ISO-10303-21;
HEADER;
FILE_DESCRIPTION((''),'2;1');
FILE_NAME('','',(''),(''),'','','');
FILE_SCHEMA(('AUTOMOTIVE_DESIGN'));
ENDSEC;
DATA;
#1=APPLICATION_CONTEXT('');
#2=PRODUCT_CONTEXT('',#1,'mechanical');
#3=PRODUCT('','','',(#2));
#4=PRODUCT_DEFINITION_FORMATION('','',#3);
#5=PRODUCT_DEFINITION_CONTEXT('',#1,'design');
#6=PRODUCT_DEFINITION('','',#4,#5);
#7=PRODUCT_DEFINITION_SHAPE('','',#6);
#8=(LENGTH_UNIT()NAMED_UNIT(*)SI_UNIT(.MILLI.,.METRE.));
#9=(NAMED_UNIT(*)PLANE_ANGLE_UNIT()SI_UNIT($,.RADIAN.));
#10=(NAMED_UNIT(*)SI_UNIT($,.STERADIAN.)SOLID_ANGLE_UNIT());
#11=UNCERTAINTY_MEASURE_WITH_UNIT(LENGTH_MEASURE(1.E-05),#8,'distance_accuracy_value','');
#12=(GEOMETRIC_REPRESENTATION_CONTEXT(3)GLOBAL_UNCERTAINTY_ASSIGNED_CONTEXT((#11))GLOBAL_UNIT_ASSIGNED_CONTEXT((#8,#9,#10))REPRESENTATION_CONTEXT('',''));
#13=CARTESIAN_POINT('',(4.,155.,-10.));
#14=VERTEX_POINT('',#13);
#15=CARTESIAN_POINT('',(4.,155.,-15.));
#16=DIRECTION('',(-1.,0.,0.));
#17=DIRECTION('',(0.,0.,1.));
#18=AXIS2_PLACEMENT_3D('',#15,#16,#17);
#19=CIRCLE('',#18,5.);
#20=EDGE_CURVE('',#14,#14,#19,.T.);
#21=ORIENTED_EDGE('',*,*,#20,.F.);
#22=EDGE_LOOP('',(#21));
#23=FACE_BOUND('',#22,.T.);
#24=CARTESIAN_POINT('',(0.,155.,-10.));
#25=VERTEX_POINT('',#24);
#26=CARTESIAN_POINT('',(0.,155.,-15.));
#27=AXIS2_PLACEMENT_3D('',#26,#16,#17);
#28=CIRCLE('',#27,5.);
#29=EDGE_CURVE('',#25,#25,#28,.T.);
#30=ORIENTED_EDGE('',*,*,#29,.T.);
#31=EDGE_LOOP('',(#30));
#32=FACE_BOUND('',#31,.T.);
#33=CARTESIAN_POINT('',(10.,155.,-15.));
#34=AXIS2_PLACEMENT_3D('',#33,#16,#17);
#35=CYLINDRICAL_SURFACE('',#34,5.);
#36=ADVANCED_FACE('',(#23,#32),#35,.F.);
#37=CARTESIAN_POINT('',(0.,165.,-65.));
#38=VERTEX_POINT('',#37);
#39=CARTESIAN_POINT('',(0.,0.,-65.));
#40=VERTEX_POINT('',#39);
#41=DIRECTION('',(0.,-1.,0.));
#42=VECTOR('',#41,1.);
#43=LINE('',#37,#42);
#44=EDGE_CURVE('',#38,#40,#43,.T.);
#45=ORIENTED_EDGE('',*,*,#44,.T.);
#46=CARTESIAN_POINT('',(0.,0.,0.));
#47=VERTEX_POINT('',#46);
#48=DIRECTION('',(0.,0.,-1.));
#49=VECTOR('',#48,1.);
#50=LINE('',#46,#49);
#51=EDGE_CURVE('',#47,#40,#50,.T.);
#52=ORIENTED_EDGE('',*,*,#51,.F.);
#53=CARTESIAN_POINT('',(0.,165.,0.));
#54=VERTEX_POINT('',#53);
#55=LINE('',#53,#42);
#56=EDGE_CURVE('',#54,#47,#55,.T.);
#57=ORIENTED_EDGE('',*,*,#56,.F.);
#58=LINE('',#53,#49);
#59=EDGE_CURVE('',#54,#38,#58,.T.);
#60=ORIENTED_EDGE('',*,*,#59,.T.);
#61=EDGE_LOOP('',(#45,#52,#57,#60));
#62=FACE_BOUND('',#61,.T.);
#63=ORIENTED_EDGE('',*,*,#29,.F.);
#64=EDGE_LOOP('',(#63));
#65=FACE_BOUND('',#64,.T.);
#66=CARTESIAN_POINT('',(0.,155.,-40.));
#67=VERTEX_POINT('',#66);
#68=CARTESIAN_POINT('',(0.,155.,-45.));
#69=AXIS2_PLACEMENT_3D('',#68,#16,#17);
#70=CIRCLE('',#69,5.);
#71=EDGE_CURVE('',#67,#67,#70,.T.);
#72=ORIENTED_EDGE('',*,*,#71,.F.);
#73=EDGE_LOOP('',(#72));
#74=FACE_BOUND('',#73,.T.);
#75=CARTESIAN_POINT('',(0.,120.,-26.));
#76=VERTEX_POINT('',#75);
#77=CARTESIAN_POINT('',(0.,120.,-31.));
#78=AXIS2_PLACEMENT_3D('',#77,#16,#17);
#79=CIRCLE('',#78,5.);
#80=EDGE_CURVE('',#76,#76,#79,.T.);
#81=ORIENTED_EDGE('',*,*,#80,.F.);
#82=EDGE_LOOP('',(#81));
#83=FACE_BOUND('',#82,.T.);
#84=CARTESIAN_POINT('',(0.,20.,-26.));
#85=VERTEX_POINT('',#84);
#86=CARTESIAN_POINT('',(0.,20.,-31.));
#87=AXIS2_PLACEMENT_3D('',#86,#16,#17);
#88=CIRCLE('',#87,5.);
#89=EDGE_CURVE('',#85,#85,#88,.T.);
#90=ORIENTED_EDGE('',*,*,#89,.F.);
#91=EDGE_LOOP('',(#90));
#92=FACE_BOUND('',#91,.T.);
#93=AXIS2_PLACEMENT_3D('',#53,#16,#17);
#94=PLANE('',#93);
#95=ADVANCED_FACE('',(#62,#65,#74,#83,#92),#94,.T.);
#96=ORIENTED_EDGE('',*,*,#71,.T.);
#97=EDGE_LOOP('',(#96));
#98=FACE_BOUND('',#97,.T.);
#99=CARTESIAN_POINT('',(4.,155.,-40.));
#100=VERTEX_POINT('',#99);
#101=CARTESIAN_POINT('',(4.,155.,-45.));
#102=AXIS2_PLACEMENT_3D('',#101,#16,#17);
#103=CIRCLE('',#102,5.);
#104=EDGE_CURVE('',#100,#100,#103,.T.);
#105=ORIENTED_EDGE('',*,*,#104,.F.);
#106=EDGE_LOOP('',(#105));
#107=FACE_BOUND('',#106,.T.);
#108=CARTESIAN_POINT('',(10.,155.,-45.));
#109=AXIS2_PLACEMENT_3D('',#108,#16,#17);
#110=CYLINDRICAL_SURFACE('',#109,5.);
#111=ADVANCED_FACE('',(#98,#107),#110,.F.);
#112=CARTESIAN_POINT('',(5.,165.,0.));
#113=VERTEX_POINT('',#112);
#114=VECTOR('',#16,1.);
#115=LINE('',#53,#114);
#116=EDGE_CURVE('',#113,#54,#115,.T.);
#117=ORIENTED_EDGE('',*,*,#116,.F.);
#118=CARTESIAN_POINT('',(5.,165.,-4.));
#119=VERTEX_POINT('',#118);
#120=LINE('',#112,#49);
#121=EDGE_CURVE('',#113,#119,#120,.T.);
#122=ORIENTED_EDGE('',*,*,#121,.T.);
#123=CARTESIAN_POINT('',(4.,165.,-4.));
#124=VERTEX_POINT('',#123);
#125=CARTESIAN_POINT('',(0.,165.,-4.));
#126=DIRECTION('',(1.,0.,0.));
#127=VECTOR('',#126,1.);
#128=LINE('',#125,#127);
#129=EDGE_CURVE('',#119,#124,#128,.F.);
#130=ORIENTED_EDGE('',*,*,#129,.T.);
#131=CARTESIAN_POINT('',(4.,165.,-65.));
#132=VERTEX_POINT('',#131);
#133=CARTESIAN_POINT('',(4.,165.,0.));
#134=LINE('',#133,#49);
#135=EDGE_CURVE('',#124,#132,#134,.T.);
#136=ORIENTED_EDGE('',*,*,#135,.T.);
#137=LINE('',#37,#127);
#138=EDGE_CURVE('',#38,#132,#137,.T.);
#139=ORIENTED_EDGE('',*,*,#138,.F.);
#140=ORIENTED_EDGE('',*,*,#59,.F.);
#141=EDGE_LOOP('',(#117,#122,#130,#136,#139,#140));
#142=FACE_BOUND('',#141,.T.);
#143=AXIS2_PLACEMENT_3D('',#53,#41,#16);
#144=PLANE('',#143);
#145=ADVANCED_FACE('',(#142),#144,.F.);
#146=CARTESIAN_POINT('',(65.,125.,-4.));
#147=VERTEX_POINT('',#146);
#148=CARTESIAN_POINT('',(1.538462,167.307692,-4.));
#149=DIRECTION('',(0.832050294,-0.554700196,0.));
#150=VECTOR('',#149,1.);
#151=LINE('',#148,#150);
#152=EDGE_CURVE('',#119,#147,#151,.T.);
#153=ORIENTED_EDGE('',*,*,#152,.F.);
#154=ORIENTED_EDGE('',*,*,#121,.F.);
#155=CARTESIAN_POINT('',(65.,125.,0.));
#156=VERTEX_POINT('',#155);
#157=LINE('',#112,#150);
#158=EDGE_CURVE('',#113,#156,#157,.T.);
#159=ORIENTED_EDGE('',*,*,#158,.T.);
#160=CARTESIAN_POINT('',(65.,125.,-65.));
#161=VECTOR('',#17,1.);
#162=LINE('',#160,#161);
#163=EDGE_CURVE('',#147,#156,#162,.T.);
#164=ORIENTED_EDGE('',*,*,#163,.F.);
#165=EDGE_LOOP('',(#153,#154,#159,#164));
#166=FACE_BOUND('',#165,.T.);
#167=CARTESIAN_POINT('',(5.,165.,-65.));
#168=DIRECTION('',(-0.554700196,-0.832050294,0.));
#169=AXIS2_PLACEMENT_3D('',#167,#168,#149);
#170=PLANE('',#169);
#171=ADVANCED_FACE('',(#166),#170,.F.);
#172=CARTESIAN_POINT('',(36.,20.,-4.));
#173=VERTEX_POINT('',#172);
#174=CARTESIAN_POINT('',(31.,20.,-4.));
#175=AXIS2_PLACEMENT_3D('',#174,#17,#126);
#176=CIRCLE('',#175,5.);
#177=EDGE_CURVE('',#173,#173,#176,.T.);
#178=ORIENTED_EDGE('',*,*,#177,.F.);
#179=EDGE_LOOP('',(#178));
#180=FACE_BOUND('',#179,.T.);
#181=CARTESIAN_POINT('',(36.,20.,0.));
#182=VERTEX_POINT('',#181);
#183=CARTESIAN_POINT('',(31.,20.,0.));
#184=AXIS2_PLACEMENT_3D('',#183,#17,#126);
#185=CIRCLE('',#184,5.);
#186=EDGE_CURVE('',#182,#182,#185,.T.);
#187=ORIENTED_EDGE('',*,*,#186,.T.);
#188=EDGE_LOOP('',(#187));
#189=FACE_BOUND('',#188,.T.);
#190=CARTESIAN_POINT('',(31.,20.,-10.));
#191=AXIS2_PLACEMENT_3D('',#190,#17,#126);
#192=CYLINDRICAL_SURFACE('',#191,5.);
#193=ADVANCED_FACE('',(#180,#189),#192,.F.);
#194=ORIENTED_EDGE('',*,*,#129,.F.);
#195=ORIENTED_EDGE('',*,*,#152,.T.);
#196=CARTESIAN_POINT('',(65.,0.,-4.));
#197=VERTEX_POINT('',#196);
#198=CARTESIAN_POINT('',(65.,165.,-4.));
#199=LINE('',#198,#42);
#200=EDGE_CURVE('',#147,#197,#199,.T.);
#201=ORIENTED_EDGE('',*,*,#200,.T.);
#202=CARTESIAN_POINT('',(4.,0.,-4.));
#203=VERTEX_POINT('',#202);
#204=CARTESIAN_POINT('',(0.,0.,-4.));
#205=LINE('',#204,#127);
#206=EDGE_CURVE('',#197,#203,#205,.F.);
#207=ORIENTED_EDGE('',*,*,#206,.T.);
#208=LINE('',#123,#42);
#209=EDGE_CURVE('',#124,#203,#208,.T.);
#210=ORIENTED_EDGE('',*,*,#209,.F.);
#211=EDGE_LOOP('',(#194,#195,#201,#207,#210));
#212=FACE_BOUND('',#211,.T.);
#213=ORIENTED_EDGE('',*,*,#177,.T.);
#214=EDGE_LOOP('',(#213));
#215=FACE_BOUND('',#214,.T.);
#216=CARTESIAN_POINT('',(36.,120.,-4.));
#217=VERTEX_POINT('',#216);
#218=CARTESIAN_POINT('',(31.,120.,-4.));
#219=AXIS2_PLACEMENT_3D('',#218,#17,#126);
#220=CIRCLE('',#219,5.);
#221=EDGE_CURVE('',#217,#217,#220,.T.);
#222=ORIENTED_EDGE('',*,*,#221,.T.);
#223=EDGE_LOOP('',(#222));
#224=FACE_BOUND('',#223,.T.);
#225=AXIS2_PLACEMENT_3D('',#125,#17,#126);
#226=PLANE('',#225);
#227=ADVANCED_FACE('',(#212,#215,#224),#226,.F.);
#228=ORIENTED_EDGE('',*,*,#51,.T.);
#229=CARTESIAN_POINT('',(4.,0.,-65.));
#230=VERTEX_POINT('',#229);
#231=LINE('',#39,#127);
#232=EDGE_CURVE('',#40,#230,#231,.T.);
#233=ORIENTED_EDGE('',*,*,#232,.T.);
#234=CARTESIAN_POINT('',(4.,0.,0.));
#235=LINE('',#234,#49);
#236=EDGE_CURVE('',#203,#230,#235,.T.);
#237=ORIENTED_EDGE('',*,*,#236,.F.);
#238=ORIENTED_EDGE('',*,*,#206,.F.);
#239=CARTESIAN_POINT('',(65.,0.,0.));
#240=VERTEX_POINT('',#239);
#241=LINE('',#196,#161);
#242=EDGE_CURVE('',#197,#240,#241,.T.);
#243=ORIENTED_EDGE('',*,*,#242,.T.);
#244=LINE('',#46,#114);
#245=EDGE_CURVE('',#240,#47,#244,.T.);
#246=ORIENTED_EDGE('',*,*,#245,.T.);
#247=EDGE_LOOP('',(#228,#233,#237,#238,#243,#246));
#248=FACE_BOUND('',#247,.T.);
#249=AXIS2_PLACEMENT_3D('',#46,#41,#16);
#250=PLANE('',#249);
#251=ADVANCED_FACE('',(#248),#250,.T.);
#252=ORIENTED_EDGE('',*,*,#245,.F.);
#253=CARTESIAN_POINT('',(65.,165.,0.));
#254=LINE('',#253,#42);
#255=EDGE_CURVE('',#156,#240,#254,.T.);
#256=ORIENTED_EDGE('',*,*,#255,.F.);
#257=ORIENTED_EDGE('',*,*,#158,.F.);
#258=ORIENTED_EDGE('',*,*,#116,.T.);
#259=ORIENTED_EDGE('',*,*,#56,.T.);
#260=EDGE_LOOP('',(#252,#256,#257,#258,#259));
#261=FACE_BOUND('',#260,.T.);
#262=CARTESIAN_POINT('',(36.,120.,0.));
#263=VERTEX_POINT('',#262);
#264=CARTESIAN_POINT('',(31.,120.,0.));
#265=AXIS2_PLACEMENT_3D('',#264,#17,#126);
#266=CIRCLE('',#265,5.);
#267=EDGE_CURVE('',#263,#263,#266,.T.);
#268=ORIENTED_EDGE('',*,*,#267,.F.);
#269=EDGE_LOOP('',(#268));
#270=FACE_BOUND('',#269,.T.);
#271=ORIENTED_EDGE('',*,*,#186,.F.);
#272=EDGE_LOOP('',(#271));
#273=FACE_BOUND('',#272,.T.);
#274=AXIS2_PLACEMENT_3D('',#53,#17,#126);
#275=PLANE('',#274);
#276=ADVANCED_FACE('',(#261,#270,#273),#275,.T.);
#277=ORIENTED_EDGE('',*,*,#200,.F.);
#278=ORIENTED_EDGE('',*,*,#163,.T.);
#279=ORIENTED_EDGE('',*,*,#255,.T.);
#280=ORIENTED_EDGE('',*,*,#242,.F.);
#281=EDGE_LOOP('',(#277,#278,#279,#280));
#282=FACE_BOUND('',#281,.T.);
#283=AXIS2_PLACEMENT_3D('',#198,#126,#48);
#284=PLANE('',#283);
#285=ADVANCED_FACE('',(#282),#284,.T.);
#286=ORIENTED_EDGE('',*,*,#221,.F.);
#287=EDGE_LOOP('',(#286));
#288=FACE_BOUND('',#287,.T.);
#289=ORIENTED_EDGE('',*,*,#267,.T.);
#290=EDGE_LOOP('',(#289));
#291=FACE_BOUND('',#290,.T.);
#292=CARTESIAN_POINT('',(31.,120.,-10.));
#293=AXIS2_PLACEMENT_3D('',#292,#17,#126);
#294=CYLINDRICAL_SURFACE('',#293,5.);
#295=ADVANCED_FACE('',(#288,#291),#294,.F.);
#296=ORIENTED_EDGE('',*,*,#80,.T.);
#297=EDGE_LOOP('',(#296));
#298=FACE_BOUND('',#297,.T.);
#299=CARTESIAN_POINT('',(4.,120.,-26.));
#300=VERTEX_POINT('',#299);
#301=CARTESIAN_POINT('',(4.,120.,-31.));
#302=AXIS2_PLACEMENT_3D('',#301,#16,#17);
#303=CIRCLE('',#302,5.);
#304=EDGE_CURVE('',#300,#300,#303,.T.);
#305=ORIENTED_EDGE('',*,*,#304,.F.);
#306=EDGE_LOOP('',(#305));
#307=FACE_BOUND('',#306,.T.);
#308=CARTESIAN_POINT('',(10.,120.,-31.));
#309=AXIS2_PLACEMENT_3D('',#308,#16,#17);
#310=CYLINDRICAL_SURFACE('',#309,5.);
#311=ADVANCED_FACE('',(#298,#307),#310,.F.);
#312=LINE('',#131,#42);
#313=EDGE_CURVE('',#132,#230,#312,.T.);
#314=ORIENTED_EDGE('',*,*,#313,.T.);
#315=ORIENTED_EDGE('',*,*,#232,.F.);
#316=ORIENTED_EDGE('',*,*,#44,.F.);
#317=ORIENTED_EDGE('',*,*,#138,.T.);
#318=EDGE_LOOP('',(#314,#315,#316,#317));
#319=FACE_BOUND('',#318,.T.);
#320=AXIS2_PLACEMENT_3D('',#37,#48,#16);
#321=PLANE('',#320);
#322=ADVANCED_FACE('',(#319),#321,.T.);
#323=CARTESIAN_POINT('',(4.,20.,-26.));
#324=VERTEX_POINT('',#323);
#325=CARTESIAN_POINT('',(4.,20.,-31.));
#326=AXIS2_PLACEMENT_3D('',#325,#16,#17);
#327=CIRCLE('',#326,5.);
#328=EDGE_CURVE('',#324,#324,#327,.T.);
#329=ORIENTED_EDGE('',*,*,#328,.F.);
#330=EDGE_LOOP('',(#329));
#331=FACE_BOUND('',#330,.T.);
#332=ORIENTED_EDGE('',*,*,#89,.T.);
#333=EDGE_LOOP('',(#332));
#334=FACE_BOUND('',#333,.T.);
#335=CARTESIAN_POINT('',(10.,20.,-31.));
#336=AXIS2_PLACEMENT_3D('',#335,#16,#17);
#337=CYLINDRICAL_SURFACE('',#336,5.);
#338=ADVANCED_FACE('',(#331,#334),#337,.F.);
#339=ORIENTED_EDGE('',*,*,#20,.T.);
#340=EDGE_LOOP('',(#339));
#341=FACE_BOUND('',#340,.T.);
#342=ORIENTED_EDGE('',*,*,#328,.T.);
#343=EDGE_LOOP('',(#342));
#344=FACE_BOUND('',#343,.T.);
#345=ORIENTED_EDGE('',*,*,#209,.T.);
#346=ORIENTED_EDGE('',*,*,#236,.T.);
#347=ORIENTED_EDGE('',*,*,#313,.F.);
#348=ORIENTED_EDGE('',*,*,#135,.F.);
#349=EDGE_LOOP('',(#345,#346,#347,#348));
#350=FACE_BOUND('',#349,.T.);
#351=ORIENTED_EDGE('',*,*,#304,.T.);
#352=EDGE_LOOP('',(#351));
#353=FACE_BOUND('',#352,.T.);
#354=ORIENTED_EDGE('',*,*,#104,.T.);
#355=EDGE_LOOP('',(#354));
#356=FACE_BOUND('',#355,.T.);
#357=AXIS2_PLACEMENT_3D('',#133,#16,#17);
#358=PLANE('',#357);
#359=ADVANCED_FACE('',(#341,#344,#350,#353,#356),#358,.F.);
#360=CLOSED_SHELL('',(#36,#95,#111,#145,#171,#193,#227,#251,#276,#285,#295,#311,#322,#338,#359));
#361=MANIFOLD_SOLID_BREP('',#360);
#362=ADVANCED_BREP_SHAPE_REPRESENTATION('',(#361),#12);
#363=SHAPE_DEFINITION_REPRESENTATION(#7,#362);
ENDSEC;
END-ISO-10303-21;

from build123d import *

# Parameters (mm, degrees)
EXTRUDE_1_DEPTH     = 165
SKETCH_2_R          = 5
CUT_EXTRUDE_1_DEPTH = 10
SKETCH_3_R          = 5
CUT_EXTRUDE_2_DEPTH = 10
CUT_EXTRUDE_3_DEPTH = 66


with BuildPart() as part:
    # Эскиз1 → Вытянуть-Тонкостенный1 (new body)
    with BuildSketch(Plane(origin=(0, 0, 0), x_dir=(1, 0, 0), z_dir=(0, 1, 0))):
        Polygon((0, 65), (0, 0), (65, 0), (65, 4), (4, 4), (4, 65), align=None)
    extrude(amount=EXTRUDE_1_DEPTH)

    # Эскиз2 → Вырез-Вытянуть1 (cut)
    with BuildSketch(Plane.XY):
        with Locations((31, 120)):
            Circle(SKETCH_2_R)
        with Locations((31, 20)):
            Circle(SKETCH_2_R)
    extrude(amount=-CUT_EXTRUDE_1_DEPTH, mode=Mode.SUBTRACT)

    # Эскиз3 → Вырез-Вытянуть2 (cut)
    with BuildSketch(Plane.ZY):
        with Locations((-31, 120)):
            Circle(SKETCH_3_R)
        with Locations((-31, 20)):
            Circle(SKETCH_3_R)
        with Locations((-15, 155)):
            Circle(SKETCH_3_R)
        with Locations((-45, 155)):
            Circle(SKETCH_3_R)
    extrude(amount=-CUT_EXTRUDE_2_DEPTH, mode=Mode.SUBTRACT)

    # Эскиз4 → Вырез-Вытянуть3 (cut, through all)
    with BuildSketch(Plane.XY):
        Polygon((5, 165), (65, 125), (65, 165), align=None)
    extrude(amount=-CUT_EXTRUDE_3_DEPTH, mode=Mode.SUBTRACT)


solid = part.part
